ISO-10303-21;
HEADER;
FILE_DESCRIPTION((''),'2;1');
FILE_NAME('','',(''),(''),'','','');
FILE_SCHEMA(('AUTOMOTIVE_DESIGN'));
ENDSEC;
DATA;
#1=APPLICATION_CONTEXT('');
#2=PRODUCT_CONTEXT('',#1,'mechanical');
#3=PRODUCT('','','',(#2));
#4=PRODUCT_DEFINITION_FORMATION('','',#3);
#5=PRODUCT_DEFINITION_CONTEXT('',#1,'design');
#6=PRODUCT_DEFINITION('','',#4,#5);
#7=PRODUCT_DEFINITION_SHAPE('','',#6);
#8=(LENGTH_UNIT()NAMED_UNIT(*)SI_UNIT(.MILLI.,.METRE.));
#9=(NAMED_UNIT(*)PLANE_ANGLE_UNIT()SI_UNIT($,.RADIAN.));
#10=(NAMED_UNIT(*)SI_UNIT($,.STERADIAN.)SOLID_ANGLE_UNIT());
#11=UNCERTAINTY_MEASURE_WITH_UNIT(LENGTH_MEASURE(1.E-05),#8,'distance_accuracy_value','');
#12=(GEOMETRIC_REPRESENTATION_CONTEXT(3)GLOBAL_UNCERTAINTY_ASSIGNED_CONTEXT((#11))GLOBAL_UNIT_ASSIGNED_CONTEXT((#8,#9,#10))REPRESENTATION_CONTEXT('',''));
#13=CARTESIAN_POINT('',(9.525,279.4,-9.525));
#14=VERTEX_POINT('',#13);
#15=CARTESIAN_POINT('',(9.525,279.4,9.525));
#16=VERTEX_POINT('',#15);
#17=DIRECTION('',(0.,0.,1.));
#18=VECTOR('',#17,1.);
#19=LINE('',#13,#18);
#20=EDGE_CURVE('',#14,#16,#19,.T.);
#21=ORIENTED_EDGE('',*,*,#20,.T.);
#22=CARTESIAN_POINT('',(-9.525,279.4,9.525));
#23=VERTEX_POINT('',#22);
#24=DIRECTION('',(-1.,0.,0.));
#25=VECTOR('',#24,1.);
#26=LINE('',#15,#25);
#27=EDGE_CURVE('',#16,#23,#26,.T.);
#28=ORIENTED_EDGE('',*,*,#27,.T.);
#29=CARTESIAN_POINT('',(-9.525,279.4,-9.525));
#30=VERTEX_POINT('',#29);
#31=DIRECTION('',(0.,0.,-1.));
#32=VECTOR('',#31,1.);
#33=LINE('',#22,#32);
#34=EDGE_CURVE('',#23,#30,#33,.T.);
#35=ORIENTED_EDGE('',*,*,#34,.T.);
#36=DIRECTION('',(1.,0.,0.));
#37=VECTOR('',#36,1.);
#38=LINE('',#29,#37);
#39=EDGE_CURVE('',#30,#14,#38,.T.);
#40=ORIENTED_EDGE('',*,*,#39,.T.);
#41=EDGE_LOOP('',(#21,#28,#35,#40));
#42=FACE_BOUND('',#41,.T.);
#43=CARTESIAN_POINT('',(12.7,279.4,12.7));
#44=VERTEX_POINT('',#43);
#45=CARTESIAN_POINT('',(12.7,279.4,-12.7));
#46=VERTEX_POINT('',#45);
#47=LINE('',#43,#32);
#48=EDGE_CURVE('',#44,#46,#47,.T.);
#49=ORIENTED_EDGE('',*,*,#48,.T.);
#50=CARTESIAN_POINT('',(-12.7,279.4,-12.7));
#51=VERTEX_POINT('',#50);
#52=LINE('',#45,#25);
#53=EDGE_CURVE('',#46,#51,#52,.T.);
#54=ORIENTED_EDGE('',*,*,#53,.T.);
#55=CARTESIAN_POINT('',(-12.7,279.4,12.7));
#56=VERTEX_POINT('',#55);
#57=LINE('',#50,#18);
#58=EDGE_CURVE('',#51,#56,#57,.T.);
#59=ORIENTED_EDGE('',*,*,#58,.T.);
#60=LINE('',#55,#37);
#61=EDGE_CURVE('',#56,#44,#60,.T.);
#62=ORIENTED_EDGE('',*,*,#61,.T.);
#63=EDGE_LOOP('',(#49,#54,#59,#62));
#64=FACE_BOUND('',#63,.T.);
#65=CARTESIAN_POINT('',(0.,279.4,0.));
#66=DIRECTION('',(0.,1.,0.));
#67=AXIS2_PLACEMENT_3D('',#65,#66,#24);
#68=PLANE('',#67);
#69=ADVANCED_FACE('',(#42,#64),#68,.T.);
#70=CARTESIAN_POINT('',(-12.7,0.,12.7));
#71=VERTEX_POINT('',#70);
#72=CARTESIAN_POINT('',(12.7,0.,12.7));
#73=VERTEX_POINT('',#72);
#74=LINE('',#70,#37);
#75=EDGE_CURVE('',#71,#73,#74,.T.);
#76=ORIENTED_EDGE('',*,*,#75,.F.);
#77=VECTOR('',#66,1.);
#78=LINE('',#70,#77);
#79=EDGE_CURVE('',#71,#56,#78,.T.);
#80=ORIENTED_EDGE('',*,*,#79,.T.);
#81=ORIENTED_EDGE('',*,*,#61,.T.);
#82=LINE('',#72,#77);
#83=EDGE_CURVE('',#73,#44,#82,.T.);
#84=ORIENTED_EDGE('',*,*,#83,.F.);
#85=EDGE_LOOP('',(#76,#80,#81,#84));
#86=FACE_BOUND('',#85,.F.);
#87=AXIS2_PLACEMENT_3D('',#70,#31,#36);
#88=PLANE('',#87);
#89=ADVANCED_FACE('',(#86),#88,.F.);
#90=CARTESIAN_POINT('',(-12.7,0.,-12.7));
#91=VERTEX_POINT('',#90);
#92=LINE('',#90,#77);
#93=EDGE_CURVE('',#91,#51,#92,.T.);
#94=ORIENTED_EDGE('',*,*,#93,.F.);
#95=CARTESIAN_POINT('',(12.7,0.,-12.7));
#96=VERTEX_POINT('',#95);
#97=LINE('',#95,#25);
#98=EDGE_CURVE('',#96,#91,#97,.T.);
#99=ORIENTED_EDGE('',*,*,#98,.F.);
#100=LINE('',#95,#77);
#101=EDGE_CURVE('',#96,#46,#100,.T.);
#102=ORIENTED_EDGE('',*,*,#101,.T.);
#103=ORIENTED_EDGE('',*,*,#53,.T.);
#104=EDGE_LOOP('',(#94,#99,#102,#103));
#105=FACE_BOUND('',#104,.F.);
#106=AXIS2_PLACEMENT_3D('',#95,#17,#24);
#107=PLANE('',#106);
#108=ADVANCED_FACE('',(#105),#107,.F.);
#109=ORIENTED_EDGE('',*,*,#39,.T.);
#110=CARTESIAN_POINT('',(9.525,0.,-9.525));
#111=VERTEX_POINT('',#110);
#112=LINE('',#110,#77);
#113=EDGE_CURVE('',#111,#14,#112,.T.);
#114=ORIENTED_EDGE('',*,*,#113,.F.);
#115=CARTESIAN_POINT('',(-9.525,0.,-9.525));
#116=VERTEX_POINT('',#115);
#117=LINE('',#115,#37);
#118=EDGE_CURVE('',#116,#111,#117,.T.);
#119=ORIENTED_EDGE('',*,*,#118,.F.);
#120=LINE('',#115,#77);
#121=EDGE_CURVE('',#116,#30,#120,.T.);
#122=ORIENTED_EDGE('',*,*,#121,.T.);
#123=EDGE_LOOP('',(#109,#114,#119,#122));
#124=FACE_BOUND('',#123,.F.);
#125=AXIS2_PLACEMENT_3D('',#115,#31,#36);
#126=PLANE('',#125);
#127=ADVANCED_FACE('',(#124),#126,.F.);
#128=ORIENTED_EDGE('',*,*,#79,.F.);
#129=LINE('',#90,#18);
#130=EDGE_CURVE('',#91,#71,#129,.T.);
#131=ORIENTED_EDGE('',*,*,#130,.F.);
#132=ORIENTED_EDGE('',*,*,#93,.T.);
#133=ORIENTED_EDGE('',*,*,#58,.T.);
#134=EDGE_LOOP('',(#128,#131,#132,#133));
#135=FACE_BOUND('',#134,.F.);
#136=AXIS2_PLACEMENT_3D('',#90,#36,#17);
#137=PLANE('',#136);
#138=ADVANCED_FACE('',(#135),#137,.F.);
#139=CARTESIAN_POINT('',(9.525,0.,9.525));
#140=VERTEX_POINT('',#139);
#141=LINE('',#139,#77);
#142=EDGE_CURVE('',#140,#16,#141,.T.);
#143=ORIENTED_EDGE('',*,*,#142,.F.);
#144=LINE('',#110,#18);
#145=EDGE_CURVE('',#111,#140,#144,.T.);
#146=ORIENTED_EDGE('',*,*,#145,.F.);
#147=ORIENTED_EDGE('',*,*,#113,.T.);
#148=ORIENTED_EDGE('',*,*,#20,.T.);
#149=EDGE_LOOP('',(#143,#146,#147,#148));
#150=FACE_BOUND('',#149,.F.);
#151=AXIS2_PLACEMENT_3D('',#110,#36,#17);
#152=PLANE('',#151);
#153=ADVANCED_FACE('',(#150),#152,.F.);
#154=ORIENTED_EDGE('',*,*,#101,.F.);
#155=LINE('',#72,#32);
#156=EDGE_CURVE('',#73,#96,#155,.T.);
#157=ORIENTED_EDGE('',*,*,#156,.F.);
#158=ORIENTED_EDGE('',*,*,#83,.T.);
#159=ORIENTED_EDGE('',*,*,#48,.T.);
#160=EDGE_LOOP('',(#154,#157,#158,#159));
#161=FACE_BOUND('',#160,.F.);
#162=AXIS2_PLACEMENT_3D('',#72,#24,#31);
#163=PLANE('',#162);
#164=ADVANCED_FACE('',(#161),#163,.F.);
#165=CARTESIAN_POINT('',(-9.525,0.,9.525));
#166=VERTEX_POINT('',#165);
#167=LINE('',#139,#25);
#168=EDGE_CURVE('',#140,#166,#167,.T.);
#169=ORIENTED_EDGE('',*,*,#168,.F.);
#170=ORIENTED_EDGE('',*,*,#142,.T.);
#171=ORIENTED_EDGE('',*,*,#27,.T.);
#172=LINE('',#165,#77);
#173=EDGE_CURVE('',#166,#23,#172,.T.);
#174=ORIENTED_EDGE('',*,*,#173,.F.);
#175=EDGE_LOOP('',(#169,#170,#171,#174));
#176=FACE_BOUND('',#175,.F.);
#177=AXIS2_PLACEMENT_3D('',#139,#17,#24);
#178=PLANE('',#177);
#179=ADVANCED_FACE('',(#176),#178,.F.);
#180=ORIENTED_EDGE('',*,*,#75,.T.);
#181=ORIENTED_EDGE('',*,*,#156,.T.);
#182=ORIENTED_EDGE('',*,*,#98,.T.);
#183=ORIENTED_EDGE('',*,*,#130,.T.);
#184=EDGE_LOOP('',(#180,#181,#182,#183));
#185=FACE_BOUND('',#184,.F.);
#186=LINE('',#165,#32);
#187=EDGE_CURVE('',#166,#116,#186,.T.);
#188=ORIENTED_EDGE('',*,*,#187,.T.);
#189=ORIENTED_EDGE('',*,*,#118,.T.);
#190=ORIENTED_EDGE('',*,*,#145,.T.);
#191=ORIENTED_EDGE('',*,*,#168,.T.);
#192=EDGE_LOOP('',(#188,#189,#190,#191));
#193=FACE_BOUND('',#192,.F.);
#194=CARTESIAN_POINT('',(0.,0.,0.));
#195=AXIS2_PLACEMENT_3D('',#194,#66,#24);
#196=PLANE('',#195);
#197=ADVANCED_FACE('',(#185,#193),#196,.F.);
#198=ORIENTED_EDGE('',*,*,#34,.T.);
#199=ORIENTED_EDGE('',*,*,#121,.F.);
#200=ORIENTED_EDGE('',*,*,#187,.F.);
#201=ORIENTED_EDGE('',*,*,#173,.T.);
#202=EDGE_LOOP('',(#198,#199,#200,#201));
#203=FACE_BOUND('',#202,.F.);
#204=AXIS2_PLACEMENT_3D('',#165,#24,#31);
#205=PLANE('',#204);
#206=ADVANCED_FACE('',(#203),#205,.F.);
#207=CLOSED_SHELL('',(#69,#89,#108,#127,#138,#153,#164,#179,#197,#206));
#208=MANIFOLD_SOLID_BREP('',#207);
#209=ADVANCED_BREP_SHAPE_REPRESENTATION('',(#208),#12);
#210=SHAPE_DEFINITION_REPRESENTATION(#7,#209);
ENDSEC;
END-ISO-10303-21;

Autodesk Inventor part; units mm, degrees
ref_plane "YZ Plane" through (0, 0, 0) normal (1, 0, 0) x (0, 1, 0)
ref_plane "XZ Plane" through (0, 0, 0) normal (0, 1, 0) x (-1, 0, 0)
ref_plane "XY Plane" through (0, 0, 0) normal (0, 0, 1) x (1, 0, 0)
sketch "Sketch1" plane through (0, 0, 0) normal (0, 1, 0) x (-1, 0, 0)
  line L0 (-12.7, -12.7) -> (12.7, -12.7)
  line L1 (12.7, -12.7) -> (12.7, 12.7)
  line L2 (12.7, 12.7) -> (-12.7, 12.7)
  line L3 (-12.7, 12.7) -> (-12.7, -12.7)
  line L4 (-12.7, -12.7) -> (12.7, 12.7) construction
  line L5 (12.7, -12.7) -> (-12.7, 12.7) construction
  line L6 (9.525, 9.525) -> (9.525, -9.525)
  line L7 (9.525, -9.525) -> (-9.525, -9.525)
  line L8 (-9.525, -9.525) -> (-9.525, 9.525)
  line L9 (-9.525, 9.525) -> (9.525, 9.525)
  point P0 (0, 0)
  dimension "d0" = 25.4
  dimension "d1" = 25.4
  dimension "d2" = 3.175
extrude "Extrusion1" add sketch "Sketch1" along normal blind 279.4
properties part number "STRU_006_BilletPole_11in" material "Aluminum 6061"
